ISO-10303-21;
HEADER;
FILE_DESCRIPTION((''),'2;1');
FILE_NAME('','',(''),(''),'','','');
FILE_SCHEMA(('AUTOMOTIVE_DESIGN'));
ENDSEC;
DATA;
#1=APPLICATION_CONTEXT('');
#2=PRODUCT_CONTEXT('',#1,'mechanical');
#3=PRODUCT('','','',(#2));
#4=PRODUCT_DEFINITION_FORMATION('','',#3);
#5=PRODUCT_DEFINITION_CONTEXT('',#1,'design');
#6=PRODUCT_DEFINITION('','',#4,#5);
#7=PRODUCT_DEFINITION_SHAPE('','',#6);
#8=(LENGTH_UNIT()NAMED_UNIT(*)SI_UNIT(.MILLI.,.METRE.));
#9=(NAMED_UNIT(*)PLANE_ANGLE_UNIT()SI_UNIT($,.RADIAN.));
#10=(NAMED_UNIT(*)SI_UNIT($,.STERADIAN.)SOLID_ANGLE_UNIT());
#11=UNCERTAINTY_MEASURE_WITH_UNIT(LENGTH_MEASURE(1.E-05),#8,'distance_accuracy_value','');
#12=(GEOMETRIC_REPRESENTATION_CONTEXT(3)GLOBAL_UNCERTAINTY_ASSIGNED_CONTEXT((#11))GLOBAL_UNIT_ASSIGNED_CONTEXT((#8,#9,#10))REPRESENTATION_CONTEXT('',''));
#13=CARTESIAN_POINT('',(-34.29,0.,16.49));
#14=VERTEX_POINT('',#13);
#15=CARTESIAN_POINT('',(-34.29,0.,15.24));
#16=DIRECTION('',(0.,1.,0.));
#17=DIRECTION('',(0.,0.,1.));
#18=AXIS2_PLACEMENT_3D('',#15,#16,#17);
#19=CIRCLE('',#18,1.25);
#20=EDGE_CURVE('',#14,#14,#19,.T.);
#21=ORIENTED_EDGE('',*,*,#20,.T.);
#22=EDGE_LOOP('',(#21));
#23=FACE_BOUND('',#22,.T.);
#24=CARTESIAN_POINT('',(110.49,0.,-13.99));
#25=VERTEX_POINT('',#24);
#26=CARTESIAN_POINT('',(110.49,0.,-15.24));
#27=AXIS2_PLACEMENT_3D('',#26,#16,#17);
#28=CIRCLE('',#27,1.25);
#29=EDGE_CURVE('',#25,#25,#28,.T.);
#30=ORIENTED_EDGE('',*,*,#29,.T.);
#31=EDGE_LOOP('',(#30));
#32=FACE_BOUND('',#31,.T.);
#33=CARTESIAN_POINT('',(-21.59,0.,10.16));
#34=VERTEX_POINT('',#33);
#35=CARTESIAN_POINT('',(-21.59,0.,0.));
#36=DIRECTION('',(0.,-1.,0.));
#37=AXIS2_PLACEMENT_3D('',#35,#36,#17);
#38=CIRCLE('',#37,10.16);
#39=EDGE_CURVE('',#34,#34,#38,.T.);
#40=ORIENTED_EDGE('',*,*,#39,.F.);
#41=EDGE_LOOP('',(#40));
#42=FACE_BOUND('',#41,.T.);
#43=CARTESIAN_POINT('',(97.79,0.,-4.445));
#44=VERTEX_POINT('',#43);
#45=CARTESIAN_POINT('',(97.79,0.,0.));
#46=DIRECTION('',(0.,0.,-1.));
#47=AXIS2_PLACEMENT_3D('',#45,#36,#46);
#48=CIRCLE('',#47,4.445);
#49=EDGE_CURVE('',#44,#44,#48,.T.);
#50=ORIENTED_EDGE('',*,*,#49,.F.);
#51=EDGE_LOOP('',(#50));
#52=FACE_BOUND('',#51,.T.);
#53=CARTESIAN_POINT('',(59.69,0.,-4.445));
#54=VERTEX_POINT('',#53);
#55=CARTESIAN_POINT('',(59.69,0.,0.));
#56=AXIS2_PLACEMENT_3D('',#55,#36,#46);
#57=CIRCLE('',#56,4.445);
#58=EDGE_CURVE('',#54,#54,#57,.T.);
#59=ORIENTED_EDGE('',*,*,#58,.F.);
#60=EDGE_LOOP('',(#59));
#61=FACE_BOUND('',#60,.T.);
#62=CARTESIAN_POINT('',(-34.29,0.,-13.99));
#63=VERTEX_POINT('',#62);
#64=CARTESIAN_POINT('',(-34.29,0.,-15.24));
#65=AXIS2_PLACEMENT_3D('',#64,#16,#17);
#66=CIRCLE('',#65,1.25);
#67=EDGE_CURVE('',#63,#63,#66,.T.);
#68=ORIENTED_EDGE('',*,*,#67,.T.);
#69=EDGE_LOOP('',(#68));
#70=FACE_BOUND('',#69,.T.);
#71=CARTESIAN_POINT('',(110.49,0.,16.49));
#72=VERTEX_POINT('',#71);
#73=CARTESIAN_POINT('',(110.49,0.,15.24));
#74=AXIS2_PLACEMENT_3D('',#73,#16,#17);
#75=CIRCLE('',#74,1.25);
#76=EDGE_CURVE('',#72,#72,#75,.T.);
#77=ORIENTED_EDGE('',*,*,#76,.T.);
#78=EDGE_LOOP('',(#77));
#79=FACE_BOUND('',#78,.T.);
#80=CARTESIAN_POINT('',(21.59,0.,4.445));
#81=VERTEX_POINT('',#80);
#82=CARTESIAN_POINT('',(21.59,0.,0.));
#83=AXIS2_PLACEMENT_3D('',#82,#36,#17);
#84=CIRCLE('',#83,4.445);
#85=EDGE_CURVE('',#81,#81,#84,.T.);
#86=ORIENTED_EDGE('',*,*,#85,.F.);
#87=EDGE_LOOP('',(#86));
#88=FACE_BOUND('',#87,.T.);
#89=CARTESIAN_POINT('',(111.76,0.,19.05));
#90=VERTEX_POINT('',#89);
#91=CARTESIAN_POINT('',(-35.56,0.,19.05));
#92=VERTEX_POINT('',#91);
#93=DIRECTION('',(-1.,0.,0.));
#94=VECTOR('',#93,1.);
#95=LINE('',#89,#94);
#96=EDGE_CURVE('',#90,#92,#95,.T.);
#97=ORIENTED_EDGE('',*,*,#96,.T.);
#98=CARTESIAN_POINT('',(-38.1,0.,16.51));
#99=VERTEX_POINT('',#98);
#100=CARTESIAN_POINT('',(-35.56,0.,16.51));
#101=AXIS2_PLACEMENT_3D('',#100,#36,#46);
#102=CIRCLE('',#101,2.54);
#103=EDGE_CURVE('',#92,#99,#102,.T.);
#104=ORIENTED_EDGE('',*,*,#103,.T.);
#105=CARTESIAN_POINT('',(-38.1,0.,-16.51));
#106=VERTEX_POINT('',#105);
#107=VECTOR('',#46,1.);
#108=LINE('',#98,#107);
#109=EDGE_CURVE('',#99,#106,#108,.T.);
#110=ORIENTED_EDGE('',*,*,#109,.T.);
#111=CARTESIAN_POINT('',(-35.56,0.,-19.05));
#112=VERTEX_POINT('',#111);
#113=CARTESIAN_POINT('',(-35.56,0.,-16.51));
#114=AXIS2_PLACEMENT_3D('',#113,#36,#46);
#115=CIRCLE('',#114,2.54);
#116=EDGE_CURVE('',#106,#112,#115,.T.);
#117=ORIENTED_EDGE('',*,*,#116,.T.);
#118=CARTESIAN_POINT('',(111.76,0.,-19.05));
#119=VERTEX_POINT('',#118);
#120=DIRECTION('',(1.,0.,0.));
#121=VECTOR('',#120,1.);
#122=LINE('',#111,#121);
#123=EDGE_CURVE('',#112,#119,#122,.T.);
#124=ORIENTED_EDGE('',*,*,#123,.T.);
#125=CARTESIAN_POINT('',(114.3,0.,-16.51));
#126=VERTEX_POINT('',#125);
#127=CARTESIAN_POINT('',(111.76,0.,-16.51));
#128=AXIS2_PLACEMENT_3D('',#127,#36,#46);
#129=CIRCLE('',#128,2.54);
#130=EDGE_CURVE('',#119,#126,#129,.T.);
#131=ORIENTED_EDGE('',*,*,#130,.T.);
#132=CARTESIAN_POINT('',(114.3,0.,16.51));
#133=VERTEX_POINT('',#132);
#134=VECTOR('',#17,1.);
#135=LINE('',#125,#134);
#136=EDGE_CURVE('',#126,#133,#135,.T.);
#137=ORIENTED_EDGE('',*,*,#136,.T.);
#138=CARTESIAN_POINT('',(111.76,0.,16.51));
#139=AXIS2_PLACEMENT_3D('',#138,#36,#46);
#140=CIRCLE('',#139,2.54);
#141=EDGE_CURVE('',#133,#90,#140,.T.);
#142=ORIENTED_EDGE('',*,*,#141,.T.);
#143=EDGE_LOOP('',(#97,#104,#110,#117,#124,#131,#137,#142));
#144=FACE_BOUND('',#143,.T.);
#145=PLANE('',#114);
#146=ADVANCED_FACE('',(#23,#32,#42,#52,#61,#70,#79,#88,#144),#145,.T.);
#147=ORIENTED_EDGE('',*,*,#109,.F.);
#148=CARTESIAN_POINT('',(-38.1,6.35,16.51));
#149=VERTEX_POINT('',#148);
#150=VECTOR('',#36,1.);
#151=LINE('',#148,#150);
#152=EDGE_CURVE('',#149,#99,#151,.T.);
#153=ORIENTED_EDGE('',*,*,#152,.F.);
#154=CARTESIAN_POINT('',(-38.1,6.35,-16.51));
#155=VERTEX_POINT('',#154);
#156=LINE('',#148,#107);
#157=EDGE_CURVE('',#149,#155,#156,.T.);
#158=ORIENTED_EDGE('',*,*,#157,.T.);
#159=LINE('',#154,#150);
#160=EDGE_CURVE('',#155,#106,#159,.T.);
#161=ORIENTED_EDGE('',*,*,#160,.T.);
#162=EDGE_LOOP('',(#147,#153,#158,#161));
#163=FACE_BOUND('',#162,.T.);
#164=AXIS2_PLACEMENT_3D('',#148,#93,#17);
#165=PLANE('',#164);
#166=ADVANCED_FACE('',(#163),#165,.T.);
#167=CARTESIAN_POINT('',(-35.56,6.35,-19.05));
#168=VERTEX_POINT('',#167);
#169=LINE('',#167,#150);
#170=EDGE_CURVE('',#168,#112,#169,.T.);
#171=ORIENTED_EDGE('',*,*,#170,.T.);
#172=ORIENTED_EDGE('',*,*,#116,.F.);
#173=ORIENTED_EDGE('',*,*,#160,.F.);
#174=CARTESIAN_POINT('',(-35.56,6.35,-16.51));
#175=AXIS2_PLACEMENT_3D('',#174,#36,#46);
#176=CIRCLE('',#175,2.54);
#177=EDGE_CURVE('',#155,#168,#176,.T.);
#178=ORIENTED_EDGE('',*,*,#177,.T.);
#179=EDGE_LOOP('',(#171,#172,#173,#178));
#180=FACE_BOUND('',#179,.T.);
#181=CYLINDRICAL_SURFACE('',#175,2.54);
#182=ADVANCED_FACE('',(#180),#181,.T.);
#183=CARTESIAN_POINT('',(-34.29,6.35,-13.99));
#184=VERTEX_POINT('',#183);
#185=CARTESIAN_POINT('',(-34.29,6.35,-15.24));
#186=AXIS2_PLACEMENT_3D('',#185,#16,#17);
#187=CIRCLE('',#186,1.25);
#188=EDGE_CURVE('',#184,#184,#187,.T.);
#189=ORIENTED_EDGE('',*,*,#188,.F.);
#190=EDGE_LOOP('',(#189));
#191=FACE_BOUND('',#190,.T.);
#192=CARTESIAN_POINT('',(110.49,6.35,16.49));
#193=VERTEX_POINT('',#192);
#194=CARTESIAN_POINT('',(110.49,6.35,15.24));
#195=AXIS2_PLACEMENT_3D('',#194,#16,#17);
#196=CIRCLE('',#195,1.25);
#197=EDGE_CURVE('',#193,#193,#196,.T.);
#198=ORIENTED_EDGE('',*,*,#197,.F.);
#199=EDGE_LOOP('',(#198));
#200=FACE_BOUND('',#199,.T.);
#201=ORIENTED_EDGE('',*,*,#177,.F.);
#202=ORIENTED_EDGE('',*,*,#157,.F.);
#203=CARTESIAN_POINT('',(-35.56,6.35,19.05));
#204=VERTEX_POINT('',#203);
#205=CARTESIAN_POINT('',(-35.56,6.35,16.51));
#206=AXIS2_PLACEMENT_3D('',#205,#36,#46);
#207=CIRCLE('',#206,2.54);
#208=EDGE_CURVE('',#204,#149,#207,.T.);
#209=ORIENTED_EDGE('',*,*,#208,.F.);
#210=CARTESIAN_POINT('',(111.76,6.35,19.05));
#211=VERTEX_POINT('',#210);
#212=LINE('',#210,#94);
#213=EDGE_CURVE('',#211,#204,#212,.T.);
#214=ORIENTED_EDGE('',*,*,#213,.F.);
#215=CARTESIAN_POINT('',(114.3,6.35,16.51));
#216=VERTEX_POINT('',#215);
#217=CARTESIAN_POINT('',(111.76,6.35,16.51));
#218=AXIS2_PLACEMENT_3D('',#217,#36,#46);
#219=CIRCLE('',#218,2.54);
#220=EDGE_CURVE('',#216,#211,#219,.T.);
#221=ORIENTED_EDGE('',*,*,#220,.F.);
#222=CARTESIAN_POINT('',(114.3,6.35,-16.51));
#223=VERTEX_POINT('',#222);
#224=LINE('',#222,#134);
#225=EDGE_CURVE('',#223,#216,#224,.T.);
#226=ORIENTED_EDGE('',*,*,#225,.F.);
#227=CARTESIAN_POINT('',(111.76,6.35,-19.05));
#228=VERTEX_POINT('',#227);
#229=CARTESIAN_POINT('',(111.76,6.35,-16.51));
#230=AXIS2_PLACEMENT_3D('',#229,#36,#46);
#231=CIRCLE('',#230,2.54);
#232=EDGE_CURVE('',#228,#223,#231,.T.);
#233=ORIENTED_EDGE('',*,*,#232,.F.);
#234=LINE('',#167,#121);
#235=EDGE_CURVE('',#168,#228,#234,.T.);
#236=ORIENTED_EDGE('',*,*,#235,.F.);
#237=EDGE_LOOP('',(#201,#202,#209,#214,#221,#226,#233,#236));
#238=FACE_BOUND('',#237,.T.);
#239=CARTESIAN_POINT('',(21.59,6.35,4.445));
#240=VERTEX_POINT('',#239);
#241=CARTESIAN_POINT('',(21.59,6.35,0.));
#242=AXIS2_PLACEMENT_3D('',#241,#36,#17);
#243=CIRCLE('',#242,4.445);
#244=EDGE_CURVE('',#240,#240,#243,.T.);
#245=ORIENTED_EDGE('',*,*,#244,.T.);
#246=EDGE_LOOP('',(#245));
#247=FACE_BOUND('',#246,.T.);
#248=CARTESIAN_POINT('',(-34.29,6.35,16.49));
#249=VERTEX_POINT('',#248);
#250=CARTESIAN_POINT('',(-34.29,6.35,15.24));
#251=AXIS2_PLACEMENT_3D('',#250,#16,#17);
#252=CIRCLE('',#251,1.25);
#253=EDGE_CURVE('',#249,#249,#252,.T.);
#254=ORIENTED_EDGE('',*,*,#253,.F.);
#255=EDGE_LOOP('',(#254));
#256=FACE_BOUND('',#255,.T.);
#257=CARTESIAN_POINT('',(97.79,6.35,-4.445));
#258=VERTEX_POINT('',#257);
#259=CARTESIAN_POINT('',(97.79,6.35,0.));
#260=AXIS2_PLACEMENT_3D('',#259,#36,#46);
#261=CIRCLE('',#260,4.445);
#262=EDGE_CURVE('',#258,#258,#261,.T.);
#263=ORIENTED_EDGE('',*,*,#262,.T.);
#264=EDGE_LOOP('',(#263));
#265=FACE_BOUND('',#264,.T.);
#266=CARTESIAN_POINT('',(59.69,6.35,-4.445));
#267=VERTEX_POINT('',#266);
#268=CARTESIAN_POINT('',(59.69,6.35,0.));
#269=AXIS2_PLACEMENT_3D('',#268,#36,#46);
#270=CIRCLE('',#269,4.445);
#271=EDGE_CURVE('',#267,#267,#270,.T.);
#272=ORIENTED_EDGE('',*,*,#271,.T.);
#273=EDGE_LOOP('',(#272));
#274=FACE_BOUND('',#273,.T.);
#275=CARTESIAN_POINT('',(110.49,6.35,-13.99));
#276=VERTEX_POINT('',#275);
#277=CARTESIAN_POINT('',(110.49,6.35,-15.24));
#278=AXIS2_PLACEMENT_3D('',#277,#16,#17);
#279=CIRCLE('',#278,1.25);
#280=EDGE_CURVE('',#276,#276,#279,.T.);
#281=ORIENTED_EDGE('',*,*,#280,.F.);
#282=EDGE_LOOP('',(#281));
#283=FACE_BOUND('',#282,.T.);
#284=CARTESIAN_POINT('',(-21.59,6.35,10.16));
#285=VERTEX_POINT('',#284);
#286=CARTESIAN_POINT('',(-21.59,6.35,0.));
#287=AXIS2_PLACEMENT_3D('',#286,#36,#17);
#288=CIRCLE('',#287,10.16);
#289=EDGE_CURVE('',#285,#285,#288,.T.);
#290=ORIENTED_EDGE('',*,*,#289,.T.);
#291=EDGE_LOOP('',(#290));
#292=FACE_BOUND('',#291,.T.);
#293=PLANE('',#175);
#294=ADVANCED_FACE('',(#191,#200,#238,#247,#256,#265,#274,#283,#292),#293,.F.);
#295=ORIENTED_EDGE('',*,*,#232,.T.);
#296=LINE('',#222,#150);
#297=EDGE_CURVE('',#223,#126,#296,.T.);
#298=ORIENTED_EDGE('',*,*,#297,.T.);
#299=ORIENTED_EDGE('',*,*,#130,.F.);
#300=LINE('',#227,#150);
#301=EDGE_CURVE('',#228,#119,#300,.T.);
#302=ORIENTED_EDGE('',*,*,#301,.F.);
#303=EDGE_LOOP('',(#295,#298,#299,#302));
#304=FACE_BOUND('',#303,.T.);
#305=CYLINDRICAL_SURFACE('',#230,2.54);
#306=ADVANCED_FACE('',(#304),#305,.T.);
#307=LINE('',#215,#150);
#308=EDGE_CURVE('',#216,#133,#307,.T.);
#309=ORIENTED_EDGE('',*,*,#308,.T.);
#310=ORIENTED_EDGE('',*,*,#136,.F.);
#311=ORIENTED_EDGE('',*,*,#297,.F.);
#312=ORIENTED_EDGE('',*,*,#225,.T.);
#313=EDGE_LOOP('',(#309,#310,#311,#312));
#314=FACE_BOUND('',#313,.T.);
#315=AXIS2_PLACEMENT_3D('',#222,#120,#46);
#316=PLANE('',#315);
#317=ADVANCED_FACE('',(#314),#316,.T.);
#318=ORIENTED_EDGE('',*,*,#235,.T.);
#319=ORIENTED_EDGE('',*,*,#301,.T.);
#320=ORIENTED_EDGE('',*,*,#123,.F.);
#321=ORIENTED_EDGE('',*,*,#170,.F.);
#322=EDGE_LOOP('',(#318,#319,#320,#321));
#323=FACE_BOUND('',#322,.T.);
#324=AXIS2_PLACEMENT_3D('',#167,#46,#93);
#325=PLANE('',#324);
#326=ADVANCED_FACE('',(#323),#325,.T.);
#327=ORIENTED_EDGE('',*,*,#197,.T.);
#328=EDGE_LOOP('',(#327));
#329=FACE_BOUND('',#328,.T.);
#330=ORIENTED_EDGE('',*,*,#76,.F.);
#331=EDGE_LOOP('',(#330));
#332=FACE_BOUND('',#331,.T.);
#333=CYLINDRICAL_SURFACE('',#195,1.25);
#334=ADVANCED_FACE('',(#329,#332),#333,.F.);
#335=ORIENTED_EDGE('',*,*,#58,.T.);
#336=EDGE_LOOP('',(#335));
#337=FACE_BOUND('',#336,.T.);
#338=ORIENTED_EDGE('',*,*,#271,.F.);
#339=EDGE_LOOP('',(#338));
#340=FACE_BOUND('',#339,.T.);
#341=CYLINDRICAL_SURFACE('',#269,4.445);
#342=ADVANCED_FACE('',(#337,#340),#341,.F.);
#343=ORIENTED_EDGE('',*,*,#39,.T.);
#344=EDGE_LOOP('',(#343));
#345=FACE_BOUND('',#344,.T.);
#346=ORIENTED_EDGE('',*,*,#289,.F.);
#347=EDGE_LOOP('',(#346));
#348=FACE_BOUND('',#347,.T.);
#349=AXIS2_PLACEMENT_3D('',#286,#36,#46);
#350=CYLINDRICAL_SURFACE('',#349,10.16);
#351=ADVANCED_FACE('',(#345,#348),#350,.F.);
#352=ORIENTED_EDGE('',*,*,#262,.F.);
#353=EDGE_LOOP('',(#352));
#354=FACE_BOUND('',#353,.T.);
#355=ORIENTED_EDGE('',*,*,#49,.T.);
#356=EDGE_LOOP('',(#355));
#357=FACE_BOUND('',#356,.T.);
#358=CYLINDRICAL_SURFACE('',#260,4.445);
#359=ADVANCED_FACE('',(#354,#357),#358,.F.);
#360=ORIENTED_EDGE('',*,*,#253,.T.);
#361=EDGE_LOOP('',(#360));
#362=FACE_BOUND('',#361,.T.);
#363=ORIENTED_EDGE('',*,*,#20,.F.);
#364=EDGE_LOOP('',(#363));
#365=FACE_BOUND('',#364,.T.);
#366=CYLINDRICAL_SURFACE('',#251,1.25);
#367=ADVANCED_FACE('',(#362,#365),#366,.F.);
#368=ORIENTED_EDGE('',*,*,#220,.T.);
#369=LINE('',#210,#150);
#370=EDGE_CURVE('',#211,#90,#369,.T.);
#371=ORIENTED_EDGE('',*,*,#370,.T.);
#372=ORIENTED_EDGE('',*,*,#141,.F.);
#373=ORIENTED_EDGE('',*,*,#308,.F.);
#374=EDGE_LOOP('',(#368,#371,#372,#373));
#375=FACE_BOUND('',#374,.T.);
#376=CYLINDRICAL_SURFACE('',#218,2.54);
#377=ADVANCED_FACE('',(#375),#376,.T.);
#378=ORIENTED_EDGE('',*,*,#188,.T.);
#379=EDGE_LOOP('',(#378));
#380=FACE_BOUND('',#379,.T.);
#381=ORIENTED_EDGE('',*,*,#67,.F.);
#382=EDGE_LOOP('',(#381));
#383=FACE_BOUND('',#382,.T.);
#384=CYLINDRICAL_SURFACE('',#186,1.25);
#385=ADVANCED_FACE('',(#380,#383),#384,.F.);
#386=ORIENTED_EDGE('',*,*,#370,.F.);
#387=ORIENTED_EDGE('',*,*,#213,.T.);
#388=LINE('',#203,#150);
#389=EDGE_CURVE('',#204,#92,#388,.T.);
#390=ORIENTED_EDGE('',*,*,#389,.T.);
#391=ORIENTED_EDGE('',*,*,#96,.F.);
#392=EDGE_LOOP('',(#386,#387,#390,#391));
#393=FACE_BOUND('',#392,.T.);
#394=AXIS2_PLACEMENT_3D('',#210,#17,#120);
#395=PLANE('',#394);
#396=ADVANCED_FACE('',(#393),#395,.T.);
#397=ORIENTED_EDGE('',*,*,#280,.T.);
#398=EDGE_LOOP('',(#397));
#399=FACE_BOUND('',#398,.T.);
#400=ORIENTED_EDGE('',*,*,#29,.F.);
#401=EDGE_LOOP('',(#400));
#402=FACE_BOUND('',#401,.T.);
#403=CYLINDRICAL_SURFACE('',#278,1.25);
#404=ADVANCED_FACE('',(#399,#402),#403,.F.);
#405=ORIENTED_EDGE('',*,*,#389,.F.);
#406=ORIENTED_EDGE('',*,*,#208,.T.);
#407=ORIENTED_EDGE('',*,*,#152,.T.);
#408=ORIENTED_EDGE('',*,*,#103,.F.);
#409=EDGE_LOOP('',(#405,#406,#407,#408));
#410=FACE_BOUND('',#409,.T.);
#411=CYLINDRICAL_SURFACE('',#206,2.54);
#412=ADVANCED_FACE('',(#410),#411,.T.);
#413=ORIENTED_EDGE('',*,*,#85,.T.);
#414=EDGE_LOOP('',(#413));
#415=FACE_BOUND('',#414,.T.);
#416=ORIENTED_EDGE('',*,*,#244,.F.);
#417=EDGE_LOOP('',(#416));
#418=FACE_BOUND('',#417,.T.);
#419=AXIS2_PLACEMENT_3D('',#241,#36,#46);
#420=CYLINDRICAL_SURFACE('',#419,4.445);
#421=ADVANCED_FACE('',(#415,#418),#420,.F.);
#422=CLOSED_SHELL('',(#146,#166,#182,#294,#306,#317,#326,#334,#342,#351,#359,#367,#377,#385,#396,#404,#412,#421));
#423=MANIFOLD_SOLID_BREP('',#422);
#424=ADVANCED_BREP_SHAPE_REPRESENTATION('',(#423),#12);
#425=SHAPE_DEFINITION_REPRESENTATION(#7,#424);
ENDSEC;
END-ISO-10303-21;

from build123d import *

# Parameters (mm, degrees)
SKETCH1_R             = 4.445
SKETCH1_R_2           = 10.16
BOSS_EXTRUDE1_DEPTH   = 6.35
M3X0_5_TAPPED_HOLE1_D = 2.5


with BuildPart() as part:
    # Sketch1 → Boss-Extrude1 (new body)
    with BuildSketch(Plane.XZ):
        with BuildLine():
            Line((-35.56, -19.05), (111.76, -19.05))
            ThreePointArc((111.76, -19.05), (113.556051224, -18.306051224), (114.3, -16.51))
            Line((114.3, -16.51), (114.3, 16.51))
            ThreePointArc((114.3, 16.51), (113.556051224, 18.306051224), (111.76, 19.05))
            Line((111.76, 19.05), (-35.56, 19.05))
            ThreePointArc((-35.56, 19.05), (-37.356051224, 18.306051224), (-38.1, 16.51))
            Line((-38.1, 16.51), (-38.1, -16.51))
            ThreePointArc((-38.1, -16.51), (-37.356051224, -18.306051224), (-35.56, -19.05))
        make_face()
        with Locations(Location((59.69, 0, 0), (0, 0, 270))):
            Circle(SKETCH1_R, mode=Mode.SUBTRACT)
        with Locations(Location((97.79, 0, 0), (0, 0, 270))):
            Circle(SKETCH1_R, mode=Mode.SUBTRACT)
        with Locations(Location((21.59, 0, 0), (0, 0, 90))):
            Circle(SKETCH1_R, mode=Mode.SUBTRACT)
        with Locations(Location((-21.59, 0, 0), (0, 0, 90))):
            Circle(SKETCH1_R_2, mode=Mode.SUBTRACT)
    extrude(amount=-BOSS_EXTRUDE1_DEPTH)

    # M3x0.5 Tapped Hole1 (through all)
    with Locations(Plane(origin=(0, 6.35, 0), x_dir=(1, 0, 0), z_dir=(0, 1, 0))):
        with Locations((-34.29, 15.24), (110.49, 15.24), (110.49, -15.24), (-34.29, -15.24)):
            Hole(M3X0_5_TAPPED_HOLE1_D / 2)


solid = part.part
